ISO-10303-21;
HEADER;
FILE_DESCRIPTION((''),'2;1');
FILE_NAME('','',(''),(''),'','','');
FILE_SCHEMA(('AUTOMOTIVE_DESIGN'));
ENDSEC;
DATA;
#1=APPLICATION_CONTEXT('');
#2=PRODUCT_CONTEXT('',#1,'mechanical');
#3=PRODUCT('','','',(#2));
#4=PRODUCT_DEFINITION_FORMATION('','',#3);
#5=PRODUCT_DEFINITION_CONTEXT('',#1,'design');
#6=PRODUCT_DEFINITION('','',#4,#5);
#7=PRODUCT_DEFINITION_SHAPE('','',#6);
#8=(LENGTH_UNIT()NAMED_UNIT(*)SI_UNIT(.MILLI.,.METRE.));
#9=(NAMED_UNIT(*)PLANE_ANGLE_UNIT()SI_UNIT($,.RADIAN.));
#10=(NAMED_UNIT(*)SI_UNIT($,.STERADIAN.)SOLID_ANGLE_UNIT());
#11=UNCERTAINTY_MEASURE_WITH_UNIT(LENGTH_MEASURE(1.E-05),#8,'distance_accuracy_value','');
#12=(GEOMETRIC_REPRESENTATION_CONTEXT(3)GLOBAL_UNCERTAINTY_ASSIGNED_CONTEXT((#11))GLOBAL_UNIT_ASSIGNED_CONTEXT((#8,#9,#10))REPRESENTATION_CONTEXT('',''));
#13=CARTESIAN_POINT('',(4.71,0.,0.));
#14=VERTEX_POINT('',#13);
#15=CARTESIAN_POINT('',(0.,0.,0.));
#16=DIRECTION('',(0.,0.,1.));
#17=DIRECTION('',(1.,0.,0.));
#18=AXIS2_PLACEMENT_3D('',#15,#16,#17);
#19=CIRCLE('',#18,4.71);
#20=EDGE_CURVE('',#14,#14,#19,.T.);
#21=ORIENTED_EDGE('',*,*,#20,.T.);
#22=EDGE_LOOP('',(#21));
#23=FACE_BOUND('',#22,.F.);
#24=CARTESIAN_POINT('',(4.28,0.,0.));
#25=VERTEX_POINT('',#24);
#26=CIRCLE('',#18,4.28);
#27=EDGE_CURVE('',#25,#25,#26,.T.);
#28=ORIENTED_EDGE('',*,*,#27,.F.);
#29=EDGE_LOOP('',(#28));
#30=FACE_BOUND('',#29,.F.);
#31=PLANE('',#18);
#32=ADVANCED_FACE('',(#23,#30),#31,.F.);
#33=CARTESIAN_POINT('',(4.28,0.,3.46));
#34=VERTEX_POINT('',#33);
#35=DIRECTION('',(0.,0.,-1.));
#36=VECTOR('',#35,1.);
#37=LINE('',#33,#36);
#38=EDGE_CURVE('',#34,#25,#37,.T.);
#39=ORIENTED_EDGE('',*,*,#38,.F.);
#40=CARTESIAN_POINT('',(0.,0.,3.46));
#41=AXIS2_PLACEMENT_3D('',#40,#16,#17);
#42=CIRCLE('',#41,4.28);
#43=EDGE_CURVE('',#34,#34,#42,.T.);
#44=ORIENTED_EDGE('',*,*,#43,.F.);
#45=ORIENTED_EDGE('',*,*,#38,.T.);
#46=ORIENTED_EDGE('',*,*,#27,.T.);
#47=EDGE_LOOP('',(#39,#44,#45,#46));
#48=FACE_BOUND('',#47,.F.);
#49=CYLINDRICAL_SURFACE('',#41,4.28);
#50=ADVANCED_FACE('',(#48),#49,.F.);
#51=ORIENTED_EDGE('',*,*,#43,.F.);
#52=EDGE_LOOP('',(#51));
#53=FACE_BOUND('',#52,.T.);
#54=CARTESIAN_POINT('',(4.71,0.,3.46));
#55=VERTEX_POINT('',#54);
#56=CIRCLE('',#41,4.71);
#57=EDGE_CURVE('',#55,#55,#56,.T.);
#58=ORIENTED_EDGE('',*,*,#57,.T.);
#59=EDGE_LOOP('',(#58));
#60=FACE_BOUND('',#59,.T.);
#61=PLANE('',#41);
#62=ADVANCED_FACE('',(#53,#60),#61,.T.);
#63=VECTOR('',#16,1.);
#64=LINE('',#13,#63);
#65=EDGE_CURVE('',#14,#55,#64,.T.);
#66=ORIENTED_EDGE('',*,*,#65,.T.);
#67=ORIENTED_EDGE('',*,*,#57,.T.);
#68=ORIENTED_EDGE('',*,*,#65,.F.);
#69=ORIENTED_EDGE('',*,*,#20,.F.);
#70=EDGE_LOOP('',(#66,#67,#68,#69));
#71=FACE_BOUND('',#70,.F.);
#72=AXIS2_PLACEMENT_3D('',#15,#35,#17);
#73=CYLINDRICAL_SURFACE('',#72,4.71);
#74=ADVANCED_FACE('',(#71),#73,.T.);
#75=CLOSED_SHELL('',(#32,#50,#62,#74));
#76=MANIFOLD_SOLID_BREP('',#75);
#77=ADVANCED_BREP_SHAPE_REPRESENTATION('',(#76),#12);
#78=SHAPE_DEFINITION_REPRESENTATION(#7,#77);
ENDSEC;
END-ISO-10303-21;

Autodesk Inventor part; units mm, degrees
ref_plane "YZ Plane" through (0, 0, 0) normal (1, 0, 0) x (0, 1, 0)
ref_plane "XZ Plane" through (0, 0, 0) normal (0, 1, 0) x (-1, 0, 0)
ref_plane "XY Plane" through (0, 0, 0) normal (0, 0, 1) x (1, 0, 0)
sketch "Sketch1" plane through (0, 0, 0) normal (0, 0, 1) x (1, 0, 0)
  circle A0 centre (0, 0) radius 4.71
  dimension "d0" = 9.42
extrude "Extrusion1" add sketch "Sketch1" along normal blind 3.46
sketch "Sketch2" plane through (0, 0, 3.46) normal (0, 0, 1) x (1, 0, 0)
  circle A0 centre (0, 0) radius 4.28
  dimension "d3" = 8.56
extrude "Extrusion2" cut sketch "Sketch2" against normal through all
properties part number "MIRROR_B"
